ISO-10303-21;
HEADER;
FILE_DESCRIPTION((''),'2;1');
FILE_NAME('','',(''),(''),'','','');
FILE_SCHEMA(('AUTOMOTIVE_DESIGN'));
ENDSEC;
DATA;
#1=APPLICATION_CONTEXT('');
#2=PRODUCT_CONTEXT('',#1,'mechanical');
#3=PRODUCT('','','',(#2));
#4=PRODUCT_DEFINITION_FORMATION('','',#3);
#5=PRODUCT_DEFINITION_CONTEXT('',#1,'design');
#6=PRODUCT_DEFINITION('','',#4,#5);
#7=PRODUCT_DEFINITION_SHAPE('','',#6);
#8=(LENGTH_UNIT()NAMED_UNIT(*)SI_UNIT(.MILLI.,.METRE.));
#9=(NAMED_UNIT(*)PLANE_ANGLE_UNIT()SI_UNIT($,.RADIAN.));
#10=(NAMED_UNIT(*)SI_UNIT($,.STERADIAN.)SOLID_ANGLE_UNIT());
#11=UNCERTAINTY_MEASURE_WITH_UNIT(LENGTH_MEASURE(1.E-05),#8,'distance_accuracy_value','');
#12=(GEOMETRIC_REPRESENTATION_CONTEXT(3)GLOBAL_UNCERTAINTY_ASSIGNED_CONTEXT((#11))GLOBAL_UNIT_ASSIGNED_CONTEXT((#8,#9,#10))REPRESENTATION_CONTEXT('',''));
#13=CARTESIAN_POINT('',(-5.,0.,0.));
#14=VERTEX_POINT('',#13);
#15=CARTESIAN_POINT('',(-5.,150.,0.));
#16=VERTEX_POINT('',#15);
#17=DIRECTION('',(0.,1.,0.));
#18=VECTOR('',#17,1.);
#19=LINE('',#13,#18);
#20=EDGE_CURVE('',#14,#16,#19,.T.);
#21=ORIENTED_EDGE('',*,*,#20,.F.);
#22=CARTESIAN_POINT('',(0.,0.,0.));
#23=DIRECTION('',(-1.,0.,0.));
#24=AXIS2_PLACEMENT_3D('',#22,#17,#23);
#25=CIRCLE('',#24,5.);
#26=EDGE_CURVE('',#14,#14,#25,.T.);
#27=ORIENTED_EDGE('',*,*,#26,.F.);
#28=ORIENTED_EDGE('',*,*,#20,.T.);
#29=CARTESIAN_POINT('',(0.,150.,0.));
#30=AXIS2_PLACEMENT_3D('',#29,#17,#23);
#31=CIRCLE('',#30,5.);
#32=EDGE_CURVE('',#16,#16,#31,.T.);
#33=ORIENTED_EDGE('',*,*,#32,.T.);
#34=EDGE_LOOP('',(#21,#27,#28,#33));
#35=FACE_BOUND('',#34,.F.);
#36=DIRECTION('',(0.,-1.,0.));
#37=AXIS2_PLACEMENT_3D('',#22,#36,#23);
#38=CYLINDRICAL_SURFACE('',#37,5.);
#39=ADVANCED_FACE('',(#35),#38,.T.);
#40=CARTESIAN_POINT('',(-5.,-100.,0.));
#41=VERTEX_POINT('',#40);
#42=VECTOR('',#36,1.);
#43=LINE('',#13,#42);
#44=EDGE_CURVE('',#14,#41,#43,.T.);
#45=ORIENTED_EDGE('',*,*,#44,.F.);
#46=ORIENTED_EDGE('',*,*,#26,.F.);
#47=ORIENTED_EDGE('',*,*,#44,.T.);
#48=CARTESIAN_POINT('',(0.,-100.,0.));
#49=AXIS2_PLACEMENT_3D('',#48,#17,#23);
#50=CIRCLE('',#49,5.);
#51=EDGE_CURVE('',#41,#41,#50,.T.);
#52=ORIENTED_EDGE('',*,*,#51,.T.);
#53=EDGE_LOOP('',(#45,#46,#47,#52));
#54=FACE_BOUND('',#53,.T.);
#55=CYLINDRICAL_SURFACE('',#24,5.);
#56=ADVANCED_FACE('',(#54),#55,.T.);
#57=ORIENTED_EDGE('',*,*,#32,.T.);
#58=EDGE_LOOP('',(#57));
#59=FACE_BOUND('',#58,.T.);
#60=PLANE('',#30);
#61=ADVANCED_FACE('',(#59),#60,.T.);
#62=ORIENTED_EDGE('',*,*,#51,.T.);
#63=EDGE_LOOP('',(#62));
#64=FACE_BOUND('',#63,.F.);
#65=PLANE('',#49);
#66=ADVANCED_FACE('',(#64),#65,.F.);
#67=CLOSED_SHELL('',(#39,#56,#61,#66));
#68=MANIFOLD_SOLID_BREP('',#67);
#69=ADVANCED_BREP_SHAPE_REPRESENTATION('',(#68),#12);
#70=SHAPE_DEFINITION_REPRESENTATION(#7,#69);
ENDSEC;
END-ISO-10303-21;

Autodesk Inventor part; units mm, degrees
ref_plane "YZ Plane" through (0, 0, 0) normal (1, 0, 0) x (0, 1, 0)
ref_plane "XZ Plane" through (0, 0, 0) normal (0, 1, 0) x (-1, 0, 0)
ref_plane "XY Plane" through (0, 0, 0) normal (0, 0, 1) x (1, 0, 0)
sketch "Sketch1" plane through (0, 0, 0) normal (0, 1, 0) x (-1, 0, 0)
  circle A0 centre (0, 0) radius 5
  dimension "d0" = 10
extrude "Extrusion1" add sketch "Sketch1" along normal blind 150 and the other way blind 100
sketch "Sketch2" plane through (0, -100, 0) normal (0, -1, 0) x (1, 0, 0)
  point P0 (0, 0)
properties part number "schaft1"
